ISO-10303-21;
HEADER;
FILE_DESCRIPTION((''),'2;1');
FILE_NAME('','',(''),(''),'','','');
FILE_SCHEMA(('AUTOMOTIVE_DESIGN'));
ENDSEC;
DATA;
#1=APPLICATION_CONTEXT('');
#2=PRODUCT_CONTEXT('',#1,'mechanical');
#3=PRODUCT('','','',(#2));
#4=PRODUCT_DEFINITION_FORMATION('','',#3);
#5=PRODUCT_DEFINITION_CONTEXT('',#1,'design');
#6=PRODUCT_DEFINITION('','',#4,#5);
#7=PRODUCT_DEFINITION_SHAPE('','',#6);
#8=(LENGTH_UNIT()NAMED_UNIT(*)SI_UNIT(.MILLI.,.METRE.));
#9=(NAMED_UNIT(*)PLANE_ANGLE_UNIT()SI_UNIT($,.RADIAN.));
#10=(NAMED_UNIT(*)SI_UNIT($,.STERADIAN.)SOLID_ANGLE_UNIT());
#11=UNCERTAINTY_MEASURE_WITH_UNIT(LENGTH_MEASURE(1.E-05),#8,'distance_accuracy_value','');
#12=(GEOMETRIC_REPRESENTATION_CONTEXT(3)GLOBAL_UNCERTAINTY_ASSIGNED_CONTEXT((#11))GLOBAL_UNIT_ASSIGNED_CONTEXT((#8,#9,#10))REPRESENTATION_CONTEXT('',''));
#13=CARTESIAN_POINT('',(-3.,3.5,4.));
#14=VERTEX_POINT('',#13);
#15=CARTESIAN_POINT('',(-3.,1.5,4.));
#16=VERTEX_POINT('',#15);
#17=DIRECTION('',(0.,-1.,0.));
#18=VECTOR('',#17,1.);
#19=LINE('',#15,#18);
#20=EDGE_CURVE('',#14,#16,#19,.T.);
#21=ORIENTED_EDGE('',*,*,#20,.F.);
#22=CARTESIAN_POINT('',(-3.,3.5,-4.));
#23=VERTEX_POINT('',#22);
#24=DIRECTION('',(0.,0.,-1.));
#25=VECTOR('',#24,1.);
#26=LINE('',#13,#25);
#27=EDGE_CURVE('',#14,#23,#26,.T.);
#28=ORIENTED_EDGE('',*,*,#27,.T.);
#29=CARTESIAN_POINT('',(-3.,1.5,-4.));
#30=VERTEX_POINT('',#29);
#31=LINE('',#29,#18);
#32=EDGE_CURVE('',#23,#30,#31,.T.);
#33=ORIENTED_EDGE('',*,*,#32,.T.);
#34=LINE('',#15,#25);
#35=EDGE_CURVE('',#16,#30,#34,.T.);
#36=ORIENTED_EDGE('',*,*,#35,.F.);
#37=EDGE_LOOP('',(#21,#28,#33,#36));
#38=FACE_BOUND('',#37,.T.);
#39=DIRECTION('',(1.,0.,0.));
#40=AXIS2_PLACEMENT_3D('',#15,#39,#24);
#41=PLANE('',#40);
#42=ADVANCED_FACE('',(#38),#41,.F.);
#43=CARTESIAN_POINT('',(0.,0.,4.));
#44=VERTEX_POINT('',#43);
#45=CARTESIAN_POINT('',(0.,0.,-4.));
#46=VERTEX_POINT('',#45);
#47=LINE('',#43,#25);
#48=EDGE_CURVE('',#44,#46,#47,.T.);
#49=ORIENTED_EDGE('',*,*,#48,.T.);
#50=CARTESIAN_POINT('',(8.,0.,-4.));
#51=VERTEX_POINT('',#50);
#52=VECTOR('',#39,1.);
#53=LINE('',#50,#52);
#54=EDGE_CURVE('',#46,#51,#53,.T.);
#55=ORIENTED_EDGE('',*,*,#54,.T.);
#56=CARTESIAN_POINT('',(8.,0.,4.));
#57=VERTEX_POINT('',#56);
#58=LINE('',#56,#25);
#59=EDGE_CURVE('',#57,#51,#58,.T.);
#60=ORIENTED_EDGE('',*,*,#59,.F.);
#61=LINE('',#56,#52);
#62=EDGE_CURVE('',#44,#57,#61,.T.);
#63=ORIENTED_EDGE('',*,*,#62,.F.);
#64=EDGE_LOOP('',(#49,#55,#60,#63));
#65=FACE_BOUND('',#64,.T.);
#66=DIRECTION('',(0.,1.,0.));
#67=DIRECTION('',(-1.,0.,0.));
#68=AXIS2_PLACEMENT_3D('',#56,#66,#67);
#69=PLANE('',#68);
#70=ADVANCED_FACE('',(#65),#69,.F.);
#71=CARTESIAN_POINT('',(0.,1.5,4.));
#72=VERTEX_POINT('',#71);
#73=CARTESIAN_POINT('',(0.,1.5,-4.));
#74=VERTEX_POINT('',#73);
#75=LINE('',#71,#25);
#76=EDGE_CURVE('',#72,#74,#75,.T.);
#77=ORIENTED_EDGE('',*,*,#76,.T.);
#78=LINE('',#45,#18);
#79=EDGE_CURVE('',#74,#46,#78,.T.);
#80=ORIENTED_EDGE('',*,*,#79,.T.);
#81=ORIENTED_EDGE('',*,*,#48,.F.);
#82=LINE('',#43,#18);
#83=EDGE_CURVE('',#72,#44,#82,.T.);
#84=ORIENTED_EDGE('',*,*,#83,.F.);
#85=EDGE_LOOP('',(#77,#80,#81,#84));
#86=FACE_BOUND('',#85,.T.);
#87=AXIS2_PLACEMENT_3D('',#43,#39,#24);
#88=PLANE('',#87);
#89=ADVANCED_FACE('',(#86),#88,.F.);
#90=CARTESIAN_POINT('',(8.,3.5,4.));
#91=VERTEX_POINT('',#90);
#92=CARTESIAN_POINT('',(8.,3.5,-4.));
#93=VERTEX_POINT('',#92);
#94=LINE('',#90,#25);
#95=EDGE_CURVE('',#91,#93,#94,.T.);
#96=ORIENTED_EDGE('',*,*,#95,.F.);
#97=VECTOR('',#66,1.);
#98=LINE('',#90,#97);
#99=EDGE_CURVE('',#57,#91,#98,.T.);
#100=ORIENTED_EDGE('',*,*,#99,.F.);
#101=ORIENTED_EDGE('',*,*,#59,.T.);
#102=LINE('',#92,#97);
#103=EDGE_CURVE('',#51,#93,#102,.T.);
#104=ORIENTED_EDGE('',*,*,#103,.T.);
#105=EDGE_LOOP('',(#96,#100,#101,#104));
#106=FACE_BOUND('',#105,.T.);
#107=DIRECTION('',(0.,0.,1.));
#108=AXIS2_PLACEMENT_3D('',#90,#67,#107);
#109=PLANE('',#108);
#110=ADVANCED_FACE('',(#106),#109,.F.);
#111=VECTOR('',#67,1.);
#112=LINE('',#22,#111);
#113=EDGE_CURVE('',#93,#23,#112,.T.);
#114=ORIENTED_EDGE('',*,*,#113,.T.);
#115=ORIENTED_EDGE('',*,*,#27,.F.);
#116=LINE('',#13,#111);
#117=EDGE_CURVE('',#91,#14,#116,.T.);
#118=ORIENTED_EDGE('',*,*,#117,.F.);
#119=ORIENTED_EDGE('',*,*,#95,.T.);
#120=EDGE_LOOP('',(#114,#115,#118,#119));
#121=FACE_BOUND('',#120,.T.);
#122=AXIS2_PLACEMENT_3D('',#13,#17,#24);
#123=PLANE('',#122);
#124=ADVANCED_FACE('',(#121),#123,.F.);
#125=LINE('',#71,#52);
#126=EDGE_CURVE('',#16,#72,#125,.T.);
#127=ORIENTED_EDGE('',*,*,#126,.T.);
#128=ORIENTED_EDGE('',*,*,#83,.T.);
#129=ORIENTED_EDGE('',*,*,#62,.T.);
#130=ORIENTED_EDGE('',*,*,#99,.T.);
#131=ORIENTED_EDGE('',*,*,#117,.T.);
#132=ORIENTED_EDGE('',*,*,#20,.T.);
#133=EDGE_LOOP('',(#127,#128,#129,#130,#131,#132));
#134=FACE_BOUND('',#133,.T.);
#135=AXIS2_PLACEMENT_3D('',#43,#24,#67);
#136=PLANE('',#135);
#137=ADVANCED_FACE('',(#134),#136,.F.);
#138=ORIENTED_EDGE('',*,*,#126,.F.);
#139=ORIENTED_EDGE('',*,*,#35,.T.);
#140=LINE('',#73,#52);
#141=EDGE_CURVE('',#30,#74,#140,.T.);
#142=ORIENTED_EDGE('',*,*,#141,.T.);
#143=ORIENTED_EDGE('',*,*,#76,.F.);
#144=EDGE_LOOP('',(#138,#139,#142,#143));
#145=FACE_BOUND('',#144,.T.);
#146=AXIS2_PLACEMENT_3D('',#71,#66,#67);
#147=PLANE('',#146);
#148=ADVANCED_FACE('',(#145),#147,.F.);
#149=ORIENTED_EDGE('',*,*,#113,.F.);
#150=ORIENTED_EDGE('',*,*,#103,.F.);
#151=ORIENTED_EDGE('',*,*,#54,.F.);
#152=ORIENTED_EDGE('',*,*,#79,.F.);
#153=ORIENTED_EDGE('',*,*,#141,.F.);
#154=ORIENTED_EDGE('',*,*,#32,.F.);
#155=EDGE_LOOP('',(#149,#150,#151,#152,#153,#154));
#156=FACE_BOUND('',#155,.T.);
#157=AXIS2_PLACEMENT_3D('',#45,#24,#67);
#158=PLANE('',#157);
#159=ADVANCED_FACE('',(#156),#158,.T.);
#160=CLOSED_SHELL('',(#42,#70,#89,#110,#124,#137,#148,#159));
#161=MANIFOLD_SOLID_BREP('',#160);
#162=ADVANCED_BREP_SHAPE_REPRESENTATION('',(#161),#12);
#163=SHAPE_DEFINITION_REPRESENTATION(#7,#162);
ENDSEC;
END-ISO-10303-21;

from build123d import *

# Parameters (mm, degrees)
BOSS_EXTRUDE1_DEPTH = 4


with BuildPart() as part:
    # Sketch1 → Boss-Extrude1 (new, symmetric)
    with BuildSketch(Plane.XY):
        Polygon((0, 0), (0, 1.5), (-3, 1.5), (-3, 3.5), (8, 3.5), (8, 0), align=None)
    extrude(amount=BOSS_EXTRUDE1_DEPTH, both=True)


solid = part.part
